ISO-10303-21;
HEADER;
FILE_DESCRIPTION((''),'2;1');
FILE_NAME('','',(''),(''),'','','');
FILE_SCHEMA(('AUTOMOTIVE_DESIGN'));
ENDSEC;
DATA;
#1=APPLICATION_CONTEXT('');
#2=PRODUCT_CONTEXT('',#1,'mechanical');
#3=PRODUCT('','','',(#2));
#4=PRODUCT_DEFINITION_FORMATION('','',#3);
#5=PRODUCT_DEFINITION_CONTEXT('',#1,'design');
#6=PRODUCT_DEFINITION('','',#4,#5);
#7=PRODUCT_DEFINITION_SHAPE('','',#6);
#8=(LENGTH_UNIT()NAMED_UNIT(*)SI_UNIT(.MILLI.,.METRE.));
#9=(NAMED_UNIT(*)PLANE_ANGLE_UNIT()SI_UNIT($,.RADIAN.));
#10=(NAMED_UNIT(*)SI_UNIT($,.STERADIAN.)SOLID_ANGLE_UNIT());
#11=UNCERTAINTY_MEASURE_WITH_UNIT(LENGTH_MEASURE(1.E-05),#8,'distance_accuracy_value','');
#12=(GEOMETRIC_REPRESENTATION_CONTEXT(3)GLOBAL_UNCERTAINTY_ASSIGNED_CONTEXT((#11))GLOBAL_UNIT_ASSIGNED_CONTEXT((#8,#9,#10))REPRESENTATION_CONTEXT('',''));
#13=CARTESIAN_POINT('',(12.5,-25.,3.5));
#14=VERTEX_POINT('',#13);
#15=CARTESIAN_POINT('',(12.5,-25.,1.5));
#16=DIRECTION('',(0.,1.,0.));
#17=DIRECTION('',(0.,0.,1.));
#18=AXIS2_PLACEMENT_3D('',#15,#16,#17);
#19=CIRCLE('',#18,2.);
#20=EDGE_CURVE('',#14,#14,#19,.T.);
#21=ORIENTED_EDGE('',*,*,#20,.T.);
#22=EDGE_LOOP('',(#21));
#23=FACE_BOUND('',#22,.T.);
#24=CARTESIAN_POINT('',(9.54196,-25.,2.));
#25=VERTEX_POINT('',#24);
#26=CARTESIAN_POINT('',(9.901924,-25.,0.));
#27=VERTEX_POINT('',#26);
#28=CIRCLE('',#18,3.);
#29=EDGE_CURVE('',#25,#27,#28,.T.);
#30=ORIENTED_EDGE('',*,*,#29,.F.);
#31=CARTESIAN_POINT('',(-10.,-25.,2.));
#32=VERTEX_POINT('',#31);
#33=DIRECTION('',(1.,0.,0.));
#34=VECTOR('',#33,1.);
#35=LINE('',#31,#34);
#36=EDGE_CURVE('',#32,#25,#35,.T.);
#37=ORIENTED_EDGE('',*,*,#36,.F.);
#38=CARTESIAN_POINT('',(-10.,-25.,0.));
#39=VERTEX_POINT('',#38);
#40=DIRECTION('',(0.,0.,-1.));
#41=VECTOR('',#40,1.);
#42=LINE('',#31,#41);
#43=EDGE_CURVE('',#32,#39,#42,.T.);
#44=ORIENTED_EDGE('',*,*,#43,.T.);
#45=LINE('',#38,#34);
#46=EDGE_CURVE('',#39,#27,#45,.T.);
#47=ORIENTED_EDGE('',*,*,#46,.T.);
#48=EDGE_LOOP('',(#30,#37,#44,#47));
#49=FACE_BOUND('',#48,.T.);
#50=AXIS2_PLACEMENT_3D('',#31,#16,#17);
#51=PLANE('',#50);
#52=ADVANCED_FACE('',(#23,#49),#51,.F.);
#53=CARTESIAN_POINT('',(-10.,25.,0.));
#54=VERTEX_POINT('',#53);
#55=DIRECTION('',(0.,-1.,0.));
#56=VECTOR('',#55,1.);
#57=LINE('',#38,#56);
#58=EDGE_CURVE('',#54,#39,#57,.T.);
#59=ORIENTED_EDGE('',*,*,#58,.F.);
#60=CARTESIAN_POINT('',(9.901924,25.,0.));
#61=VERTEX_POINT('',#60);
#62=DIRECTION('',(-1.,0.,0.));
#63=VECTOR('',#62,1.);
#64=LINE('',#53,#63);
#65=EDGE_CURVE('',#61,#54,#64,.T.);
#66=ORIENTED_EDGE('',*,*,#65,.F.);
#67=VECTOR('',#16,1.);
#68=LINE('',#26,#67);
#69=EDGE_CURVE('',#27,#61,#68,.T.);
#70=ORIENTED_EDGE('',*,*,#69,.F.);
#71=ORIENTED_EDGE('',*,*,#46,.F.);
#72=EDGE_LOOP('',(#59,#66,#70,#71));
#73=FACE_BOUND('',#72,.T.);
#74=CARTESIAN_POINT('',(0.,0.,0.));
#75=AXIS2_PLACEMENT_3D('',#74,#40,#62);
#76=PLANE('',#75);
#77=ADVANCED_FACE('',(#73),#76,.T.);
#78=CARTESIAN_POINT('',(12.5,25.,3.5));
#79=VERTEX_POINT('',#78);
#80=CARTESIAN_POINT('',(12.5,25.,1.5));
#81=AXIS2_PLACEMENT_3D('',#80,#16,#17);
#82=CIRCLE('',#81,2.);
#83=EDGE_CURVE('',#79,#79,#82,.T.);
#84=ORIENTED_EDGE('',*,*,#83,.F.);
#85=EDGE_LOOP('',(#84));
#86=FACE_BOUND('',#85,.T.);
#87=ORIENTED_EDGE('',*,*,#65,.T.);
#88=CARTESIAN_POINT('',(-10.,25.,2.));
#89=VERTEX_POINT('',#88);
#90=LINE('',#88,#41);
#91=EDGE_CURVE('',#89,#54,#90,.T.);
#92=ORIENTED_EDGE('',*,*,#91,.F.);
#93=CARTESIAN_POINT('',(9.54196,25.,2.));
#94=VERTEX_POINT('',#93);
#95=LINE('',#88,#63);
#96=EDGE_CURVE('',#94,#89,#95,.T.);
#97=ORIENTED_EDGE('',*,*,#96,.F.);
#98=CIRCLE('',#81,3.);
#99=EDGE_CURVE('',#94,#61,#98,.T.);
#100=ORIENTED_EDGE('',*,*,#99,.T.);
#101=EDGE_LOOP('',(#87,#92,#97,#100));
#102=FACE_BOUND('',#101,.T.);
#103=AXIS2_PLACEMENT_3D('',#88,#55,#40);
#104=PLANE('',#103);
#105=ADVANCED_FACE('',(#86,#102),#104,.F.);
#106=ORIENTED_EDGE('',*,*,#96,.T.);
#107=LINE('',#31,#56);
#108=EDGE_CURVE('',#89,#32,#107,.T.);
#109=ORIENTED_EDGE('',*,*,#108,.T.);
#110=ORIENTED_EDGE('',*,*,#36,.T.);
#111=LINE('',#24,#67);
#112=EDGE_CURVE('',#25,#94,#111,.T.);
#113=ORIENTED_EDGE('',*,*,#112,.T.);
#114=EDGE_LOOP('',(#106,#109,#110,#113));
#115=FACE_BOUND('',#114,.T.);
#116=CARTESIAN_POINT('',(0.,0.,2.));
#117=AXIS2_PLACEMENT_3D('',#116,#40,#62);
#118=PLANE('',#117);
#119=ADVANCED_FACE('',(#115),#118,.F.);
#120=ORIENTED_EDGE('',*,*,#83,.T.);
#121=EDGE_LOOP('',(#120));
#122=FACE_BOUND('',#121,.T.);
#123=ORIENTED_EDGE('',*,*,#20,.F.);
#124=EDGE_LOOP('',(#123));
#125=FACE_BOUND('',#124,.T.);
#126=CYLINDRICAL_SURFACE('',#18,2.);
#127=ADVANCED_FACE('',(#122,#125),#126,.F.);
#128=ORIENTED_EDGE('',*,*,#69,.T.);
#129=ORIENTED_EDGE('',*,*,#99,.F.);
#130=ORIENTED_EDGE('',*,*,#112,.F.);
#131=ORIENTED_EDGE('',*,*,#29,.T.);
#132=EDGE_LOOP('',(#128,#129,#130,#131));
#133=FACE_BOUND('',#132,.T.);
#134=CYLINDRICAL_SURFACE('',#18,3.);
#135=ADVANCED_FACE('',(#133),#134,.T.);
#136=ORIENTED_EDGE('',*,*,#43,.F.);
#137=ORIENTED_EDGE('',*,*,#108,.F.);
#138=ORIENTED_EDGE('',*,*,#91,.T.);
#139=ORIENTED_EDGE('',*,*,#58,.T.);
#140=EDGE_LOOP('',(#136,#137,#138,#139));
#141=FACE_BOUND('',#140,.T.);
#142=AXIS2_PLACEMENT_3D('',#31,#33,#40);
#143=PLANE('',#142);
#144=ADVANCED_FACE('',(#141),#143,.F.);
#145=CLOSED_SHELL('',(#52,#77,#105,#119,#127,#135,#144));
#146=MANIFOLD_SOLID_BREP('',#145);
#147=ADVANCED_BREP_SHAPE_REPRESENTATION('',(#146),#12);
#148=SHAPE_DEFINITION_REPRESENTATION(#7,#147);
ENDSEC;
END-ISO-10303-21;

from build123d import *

# Parameters (mm, degrees)
SKETCH3_W           = 20
SKETCH3_H           = 50
BOSS_EXTRUDE2_DEPTH = 2
SKETCH4_R           = 3
SKETCH4_R_2         = 2
BOSS_EXTRUDE3_DEPTH = 50


with BuildPart() as part:
    # Sketch3 → Boss-Extrude2 (new body)
    with BuildSketch(Plane.XY):
        Rectangle(SKETCH3_W, SKETCH3_H)
    extrude(amount=BOSS_EXTRUDE2_DEPTH)

    # Sketch4 → Boss-Extrude3 (add)
    with BuildSketch(Plane(origin=(0, 25, 0), x_dir=(1, 0, 0), z_dir=(0, 1, 0))):
        with Locations((12.5, -1.5)):
            Circle(SKETCH4_R)
        with Locations((12.5, -1.5)):
            Circle(SKETCH4_R_2, mode=Mode.SUBTRACT)
    extrude(amount=-BOSS_EXTRUDE3_DEPTH)


solid = part.part
